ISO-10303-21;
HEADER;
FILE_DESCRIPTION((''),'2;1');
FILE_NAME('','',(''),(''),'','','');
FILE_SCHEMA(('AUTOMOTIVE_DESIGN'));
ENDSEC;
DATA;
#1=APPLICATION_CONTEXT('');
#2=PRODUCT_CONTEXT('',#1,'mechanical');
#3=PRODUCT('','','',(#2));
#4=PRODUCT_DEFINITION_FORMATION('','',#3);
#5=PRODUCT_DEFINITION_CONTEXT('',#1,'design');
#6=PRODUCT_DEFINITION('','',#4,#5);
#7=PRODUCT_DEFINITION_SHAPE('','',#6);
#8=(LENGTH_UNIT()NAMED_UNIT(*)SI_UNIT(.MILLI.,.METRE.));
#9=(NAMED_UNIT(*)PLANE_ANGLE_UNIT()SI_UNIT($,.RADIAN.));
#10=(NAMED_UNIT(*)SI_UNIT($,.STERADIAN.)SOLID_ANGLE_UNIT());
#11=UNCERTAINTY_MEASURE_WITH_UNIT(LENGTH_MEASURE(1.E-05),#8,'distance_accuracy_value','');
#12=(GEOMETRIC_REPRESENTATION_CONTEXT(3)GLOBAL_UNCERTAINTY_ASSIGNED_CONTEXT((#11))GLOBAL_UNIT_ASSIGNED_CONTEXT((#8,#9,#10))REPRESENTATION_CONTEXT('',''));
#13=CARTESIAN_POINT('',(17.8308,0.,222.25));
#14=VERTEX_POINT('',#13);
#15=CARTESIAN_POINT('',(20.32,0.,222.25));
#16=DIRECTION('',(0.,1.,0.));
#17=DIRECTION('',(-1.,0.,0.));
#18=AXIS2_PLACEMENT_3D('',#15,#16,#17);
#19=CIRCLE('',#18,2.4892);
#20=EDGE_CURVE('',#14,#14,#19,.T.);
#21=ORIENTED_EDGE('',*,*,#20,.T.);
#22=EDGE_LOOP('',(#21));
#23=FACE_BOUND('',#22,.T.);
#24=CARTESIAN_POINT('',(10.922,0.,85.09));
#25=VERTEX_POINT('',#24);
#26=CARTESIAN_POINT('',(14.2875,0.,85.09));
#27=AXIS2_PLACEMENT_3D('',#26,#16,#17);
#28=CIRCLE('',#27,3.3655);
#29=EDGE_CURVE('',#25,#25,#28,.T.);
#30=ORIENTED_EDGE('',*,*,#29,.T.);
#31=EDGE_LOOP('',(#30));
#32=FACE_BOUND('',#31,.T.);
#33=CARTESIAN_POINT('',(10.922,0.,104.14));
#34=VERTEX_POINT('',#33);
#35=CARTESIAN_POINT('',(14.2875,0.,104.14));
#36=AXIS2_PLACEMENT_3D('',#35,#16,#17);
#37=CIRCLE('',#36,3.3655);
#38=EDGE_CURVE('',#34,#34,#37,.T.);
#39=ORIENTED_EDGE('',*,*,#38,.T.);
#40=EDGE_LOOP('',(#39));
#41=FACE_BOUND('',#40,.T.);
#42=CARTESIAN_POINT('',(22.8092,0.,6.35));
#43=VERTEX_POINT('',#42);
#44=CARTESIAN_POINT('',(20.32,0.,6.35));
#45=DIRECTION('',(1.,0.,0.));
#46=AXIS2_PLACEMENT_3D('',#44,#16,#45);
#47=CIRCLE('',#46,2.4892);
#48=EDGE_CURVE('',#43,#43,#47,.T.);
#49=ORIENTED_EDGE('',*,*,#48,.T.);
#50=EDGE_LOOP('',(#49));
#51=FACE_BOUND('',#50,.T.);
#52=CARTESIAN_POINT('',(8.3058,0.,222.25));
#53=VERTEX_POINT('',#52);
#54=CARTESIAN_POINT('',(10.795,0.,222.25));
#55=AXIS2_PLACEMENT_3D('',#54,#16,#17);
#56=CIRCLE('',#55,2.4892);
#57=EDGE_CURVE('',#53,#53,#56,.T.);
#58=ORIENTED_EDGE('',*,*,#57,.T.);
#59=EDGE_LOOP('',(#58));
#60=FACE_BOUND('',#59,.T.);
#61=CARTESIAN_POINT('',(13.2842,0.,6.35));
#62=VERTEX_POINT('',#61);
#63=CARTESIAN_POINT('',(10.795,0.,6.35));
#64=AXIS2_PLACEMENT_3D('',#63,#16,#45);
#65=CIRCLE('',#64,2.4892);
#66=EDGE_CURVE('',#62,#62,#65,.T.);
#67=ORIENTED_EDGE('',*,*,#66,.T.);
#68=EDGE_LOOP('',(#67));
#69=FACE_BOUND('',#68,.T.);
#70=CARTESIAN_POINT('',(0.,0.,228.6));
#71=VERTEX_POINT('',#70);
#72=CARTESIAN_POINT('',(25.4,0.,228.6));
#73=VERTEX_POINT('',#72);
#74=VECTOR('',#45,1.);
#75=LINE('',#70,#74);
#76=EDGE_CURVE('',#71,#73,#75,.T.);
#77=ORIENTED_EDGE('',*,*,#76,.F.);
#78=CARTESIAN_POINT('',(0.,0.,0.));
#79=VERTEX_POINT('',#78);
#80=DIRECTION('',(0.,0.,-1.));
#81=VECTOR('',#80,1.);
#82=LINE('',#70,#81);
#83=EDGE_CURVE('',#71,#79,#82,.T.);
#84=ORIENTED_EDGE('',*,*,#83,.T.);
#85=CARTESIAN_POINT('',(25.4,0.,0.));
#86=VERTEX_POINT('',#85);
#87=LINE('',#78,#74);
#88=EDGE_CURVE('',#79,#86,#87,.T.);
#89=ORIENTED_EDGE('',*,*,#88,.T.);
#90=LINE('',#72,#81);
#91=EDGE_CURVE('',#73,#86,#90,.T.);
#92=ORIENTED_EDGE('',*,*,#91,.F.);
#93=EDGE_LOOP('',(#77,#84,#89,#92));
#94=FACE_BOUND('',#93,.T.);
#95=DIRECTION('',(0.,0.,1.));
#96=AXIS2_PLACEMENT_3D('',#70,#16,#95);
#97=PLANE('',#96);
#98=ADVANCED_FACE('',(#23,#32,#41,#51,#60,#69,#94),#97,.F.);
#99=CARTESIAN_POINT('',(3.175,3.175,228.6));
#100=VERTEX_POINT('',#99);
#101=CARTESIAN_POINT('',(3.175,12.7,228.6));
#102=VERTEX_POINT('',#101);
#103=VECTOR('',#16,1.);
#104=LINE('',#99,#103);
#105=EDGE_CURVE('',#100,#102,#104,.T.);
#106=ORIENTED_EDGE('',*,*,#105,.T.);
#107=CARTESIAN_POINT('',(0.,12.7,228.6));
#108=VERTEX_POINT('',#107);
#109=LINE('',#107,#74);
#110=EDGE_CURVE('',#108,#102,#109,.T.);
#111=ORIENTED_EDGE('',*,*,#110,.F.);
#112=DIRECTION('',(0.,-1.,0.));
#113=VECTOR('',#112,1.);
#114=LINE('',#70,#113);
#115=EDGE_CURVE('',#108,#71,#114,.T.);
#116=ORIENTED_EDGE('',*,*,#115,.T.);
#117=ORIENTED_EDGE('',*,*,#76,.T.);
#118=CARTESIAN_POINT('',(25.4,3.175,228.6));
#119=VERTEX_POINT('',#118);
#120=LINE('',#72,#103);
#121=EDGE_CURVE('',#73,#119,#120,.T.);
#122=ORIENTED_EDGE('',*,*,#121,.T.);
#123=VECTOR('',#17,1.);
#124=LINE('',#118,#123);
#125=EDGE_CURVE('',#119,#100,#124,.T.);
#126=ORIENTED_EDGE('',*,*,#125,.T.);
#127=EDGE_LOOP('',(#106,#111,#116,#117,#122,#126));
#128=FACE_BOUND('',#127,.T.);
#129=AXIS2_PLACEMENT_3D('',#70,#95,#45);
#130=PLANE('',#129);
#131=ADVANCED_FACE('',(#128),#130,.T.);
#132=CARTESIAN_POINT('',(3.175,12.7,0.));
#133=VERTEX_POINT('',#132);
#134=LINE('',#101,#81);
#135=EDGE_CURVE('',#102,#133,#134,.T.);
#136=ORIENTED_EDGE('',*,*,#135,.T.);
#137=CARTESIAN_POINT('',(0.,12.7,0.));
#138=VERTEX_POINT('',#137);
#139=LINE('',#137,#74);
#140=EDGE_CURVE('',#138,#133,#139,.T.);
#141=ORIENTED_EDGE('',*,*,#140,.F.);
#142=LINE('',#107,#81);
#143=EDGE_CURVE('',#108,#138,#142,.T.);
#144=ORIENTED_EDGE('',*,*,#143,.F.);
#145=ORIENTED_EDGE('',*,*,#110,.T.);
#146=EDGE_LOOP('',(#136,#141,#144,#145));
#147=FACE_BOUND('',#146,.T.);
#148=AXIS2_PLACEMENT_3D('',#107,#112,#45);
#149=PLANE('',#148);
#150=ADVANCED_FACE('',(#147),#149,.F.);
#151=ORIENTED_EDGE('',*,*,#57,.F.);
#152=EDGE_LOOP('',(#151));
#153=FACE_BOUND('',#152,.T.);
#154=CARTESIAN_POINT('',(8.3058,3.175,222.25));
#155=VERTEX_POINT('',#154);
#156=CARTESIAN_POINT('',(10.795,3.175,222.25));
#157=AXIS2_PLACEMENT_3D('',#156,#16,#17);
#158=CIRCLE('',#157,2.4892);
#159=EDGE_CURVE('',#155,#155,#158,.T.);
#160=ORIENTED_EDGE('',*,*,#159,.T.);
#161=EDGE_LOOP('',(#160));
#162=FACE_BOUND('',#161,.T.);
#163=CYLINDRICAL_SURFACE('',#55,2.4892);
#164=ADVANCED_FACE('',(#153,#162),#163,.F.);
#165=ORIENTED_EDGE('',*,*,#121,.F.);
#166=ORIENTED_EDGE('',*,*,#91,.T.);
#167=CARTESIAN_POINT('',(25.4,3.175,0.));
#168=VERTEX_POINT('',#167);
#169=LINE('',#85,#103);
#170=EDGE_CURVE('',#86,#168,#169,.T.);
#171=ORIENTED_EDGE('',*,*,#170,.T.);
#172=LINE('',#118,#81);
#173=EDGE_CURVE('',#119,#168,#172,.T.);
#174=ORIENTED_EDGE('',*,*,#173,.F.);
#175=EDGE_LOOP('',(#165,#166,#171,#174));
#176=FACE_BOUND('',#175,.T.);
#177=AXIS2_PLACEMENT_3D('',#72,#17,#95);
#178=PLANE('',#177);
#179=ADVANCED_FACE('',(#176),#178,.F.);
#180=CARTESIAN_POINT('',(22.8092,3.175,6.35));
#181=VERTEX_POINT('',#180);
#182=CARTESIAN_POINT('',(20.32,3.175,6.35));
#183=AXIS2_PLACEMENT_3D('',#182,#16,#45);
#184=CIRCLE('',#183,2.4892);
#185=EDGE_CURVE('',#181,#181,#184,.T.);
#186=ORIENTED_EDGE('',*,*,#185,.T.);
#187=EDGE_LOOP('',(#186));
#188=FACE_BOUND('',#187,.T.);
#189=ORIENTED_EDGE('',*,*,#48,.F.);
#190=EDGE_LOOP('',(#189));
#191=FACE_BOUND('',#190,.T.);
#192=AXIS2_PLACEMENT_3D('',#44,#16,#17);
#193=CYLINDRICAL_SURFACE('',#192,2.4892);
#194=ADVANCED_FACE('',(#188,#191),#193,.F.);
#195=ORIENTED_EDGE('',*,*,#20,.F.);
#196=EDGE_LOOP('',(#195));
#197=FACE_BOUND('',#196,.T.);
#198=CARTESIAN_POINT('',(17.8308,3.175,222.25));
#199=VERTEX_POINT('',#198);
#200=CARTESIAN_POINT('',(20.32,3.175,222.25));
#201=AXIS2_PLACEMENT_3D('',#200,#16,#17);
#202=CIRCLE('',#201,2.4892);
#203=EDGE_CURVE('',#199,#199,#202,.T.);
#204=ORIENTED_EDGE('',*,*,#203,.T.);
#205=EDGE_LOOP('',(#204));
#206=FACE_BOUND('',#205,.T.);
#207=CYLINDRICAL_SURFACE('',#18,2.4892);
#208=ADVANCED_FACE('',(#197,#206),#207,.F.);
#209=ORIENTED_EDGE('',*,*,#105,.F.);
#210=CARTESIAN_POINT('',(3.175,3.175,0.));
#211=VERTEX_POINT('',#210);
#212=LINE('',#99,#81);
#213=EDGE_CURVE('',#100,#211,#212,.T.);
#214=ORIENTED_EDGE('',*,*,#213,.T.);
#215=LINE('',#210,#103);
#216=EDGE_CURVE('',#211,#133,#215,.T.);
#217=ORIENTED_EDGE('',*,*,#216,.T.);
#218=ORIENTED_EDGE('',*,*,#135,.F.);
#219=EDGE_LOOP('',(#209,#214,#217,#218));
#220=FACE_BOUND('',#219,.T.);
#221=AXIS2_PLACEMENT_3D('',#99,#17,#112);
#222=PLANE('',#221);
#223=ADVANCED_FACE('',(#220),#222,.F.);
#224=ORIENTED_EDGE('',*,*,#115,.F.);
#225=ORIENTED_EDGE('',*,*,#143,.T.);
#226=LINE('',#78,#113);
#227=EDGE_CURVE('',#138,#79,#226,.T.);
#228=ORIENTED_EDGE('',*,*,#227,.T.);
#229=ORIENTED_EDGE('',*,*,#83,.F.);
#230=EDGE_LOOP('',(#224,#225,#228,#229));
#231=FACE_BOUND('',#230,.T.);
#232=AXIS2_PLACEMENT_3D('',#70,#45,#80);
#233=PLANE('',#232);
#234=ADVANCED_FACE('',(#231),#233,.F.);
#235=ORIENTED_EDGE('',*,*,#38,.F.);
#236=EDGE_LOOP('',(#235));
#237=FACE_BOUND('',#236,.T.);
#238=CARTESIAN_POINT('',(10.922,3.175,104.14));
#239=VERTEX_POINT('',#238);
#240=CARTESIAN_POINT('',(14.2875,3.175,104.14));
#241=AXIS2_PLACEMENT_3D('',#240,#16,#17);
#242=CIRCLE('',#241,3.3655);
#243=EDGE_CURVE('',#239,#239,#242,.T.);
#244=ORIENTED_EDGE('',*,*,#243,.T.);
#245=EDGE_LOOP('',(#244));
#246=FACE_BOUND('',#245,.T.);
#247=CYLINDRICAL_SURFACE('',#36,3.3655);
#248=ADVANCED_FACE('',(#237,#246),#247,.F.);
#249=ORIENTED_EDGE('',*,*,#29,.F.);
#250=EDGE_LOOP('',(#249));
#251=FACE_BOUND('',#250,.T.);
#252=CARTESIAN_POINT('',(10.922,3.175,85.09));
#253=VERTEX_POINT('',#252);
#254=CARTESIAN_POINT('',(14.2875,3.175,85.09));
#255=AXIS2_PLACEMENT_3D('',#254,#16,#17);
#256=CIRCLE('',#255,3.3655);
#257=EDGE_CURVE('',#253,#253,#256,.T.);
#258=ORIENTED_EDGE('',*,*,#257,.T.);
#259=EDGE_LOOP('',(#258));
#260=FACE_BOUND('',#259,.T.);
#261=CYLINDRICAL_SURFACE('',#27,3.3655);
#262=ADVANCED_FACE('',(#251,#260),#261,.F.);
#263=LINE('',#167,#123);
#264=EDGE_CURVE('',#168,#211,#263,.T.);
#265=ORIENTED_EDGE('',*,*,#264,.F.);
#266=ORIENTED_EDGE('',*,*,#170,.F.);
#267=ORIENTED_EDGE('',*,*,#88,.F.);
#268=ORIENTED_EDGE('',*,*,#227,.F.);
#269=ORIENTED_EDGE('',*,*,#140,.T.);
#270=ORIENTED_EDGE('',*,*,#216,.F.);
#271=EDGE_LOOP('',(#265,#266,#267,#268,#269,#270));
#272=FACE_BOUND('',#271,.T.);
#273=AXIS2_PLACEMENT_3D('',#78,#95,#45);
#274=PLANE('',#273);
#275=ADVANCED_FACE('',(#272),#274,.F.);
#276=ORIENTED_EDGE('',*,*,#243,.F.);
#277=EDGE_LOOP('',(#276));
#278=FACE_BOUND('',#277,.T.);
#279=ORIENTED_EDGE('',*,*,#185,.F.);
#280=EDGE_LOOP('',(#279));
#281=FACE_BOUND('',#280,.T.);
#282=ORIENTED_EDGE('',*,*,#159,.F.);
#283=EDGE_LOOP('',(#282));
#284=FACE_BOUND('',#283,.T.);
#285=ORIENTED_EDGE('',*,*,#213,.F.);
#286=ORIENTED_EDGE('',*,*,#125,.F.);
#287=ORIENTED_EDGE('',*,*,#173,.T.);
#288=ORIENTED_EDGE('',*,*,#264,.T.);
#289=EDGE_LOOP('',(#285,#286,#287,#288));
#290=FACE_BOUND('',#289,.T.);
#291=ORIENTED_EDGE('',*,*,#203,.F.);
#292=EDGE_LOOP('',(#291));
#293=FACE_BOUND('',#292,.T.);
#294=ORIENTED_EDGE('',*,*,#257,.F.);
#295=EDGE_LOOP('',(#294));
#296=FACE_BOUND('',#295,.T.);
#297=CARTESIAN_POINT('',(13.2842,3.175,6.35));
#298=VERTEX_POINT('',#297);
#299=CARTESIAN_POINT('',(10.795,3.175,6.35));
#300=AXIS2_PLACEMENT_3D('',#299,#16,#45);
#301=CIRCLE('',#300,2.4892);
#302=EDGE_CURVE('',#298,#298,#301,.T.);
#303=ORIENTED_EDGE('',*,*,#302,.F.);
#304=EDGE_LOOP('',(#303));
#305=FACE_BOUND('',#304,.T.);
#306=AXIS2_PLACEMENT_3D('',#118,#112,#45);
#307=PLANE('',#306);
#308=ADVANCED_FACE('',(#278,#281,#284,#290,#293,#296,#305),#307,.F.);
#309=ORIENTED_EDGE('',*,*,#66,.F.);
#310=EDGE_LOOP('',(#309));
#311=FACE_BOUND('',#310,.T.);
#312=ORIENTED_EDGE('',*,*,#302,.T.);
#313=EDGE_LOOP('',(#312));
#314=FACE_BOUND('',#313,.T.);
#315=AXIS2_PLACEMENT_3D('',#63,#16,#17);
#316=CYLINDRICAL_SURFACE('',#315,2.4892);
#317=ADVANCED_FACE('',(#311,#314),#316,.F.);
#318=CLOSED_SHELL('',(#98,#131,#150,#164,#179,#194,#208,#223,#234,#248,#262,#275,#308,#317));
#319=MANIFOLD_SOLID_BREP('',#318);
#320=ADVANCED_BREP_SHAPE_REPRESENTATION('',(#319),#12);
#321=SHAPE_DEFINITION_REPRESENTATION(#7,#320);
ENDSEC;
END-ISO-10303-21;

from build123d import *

# Parameters (mm, degrees)
BOSS_EXTRUDE1_DEPTH = 228.6
SKETCH2_R           = 2.4892
CUT_EXTRUDE1_DEPTH  = 4.175
SKETCH3_W           = 228.6
SKETCH3_H           = 12.7
CUT_EXTRUDE2_DEPTH  = 4.175
SKETCH4_R           = 3.3655
CUT_EXTRUDE3_DEPTH  = 4.175


with BuildPart() as part:
    # Sketch1 → Boss-Extrude1 (new body)
    with BuildSketch(Plane.XY):
        Polygon((0, 0), (0, 25.4), (3.175, 25.4), (3.175, 3.175), (25.4, 3.175), (25.4, 0), align=None)
    extrude(amount=BOSS_EXTRUDE1_DEPTH)

    # Sketch2 → Cut-Extrude1 (cut, through all)
    with BuildSketch(Plane(origin=(0, 3.175, 0), x_dir=(1, 0, 0), z_dir=(0, 1, 0))):
        with Locations((20.32, -222.25)):
            Circle(SKETCH2_R)
        with Locations((10.795, -222.25)):
            Circle(SKETCH2_R)
        with Locations((20.32, -6.35)):
            Circle(SKETCH2_R)
        with Locations((10.795, -6.35)):
            Circle(SKETCH2_R)
    extrude(amount=-CUT_EXTRUDE1_DEPTH, mode=Mode.SUBTRACT)

    # Sketch3 → Cut-Extrude2 (cut, through all)
    with BuildSketch(Plane(origin=(3.175, 0, 0), x_dir=(0, 0, -1), z_dir=(1, 0, 0))):
        with Locations((-114.3, 19.05)):
            Rectangle(SKETCH3_W, SKETCH3_H)
    extrude(amount=-CUT_EXTRUDE2_DEPTH, mode=Mode.SUBTRACT)

    # Sketch4 → Cut-Extrude3 (cut, through all)
    with BuildSketch(Plane(origin=(0, 3.175, 0), x_dir=(1, 0, 0), z_dir=(0, 1, 0))):
        with Locations((14.2875, -85.09)):
            Circle(SKETCH4_R)
        with Locations((14.2875, -104.14)):
            Circle(SKETCH4_R)
    extrude(amount=-CUT_EXTRUDE3_DEPTH, mode=Mode.SUBTRACT)


solid = part.part
